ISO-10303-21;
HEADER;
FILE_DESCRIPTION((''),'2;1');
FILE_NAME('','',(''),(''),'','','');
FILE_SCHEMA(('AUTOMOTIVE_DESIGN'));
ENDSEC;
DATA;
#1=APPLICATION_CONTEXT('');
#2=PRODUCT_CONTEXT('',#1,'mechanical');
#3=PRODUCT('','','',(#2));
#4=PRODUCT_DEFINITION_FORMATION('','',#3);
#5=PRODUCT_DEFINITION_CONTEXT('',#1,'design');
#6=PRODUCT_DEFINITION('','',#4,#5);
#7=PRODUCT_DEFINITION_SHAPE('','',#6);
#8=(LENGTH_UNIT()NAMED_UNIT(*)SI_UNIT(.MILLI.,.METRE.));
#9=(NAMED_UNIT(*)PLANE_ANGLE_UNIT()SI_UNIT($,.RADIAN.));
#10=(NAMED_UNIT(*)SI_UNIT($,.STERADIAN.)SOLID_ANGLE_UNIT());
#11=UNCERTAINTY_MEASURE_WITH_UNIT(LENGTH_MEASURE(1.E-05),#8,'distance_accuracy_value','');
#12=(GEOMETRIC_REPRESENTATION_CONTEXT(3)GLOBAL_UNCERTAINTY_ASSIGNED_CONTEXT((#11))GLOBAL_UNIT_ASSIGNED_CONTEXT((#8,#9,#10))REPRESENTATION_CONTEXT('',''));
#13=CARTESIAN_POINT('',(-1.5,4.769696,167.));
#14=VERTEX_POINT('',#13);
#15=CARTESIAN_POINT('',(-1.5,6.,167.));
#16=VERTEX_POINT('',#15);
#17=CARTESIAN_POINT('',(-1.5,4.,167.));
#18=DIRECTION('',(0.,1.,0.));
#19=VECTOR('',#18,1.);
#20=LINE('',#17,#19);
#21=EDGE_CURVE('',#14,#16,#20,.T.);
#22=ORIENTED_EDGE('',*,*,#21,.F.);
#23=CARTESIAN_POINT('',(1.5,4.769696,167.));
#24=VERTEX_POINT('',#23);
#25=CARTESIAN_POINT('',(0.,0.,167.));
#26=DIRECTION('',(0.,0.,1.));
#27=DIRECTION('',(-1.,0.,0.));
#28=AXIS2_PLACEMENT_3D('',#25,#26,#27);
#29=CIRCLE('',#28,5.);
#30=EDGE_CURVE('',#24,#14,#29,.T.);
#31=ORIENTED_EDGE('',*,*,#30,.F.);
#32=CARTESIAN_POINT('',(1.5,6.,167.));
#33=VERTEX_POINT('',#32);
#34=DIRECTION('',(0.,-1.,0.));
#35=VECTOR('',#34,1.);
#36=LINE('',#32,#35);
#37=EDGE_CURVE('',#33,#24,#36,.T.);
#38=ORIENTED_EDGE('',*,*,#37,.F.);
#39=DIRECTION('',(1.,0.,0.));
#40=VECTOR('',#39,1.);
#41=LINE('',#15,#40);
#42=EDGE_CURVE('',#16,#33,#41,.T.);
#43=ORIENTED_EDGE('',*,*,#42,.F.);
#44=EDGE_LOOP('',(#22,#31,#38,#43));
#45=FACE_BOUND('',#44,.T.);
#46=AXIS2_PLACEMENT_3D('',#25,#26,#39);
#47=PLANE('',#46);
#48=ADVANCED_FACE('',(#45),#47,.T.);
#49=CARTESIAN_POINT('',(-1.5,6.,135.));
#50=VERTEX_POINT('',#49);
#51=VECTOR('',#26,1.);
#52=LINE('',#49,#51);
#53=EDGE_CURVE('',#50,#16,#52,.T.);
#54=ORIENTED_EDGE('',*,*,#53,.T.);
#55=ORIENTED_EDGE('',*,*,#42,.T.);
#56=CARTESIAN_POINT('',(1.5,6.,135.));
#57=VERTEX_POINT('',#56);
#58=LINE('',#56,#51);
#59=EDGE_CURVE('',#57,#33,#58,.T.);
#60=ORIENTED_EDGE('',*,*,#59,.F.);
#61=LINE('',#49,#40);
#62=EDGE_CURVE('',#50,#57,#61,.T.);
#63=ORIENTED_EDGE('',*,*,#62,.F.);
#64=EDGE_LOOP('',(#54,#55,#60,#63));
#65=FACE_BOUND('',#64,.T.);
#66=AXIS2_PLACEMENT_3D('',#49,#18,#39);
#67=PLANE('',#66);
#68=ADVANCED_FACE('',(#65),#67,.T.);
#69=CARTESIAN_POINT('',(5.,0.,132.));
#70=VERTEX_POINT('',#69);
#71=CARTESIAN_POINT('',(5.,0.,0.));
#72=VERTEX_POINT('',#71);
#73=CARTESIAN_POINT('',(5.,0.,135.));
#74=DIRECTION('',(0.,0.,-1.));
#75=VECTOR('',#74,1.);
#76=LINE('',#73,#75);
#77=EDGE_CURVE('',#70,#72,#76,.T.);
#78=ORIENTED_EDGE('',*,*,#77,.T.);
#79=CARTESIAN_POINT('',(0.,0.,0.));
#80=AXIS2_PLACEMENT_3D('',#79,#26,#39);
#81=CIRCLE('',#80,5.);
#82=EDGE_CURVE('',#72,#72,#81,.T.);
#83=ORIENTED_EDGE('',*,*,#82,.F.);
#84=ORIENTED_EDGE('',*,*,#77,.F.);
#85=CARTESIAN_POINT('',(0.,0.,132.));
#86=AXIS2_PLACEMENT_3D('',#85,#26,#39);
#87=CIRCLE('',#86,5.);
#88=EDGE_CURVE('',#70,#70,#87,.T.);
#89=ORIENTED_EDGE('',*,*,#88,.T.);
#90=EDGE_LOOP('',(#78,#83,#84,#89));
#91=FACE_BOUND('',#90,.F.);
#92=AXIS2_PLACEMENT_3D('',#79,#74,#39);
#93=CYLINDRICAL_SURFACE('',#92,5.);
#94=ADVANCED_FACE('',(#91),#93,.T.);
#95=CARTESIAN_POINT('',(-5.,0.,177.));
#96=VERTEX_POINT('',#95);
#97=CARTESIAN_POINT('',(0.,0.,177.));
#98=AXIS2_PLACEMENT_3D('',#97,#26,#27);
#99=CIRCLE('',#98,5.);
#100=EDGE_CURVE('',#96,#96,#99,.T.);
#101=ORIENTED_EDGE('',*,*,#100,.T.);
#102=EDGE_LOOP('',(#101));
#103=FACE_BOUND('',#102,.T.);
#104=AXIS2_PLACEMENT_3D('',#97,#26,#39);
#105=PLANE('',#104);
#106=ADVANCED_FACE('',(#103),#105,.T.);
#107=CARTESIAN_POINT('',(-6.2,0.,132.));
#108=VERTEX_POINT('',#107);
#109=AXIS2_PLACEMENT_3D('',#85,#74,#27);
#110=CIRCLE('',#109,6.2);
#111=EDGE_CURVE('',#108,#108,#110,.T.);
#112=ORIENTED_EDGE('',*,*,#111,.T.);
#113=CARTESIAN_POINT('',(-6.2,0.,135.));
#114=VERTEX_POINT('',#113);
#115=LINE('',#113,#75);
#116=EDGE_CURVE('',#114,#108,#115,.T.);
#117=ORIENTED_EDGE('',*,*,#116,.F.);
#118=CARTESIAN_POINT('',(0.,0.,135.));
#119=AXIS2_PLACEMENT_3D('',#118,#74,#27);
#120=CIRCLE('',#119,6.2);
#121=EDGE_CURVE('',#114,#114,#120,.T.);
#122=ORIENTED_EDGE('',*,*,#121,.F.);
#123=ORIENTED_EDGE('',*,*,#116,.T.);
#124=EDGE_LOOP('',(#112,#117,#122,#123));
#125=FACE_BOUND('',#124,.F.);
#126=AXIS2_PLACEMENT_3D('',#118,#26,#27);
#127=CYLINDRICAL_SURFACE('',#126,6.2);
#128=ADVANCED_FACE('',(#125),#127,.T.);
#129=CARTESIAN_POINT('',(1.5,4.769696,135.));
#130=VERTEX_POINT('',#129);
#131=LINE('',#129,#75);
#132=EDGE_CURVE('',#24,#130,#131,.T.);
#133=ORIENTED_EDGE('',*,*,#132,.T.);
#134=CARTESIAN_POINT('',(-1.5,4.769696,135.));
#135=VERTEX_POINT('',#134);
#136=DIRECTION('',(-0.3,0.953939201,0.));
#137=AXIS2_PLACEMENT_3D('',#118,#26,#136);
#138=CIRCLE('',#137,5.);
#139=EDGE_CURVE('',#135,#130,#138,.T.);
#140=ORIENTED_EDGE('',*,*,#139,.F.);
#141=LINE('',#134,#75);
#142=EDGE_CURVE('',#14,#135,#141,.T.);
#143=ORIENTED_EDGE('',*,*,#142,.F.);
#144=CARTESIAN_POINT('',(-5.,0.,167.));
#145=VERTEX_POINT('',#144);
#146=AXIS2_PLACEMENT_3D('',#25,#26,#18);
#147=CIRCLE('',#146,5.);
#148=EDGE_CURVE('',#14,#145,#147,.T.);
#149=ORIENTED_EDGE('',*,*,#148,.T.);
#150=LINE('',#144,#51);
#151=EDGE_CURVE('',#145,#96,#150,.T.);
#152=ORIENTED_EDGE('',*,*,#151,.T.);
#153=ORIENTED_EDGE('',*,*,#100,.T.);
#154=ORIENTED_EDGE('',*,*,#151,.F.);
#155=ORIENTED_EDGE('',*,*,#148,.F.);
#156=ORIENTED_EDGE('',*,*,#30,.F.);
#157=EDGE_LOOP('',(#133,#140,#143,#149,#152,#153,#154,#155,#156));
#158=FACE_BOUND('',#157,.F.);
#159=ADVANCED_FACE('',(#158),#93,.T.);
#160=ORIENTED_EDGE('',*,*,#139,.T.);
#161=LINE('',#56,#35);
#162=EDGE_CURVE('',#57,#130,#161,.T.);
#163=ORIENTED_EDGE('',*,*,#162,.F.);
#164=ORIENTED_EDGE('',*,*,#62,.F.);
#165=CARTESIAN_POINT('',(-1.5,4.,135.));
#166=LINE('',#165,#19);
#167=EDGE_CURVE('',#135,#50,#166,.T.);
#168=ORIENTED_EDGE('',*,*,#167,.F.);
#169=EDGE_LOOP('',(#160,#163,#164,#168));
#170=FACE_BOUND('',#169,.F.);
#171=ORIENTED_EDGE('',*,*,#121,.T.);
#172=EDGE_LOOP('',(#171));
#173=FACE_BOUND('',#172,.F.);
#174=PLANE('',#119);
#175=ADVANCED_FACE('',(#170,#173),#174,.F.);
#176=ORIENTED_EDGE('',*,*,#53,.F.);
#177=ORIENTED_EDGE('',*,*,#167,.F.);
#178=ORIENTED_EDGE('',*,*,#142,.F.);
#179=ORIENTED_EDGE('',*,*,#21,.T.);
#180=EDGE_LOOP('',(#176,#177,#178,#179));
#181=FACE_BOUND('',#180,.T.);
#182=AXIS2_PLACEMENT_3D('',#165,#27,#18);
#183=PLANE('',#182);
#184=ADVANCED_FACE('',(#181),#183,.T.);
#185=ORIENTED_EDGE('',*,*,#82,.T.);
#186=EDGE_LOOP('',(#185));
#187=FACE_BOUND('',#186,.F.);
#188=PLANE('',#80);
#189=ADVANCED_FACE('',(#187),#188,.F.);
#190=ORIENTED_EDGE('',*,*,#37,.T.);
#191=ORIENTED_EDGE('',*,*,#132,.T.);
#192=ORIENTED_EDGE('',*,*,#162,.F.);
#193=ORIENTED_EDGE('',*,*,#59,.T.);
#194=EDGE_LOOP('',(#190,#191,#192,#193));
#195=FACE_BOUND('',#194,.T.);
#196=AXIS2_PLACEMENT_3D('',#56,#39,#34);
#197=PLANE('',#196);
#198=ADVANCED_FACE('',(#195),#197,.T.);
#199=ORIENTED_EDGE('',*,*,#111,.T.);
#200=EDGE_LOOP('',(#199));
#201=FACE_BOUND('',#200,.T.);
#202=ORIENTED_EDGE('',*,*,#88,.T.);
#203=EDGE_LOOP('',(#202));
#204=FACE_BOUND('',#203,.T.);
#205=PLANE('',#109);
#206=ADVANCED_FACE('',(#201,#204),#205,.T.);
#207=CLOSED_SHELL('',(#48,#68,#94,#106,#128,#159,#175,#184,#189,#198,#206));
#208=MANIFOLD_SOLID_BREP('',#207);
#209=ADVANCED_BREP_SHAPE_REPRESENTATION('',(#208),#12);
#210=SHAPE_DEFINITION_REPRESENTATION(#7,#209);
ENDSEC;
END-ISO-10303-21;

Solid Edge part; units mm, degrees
sketch "Sketch1" plane through (0, 0, 0) normal (0, 0, 1) x (1, 0, 0)
  circle A0 centre (0, 0) radius 5
extrude "Protrusion1" add sketch "Sketch1" along normal blind 25
sketch "Sketch2" plane through (0, 0.5, 25) normal (0, 0, 1) x (1, 0, 0)
  circle A0 centre (0, -0.5) radius 5
  dimension "D1" = 10
extrude "ExtrudedProtrusion_2" add sketch "Sketch2" along normal blind 110
sketch "Sketch3" plane through (0, 0, 135) normal (0, 0, 1) x (0, 1, 0)
  line L0 (4, 1.5) -> (6, 1.5)
  line L1 (6, 1.5) -> (6, -1.5)
  line L2 (6, -1.5) -> (4, -1.5)
  line L3 (4, -1.5) -> (4, 1.5)
  circle A0 centre (0, 0) radius 5
extrude "ExtrudedProtrusion_4" add sketch "Sketch3" along normal blind 32
sketch "Sketch4" plane through (0, 0.5, 167) normal (0, 0, 1) x (-1, 0, 0)
  circle A0 centre (0, 0.5) radius 5
  dimension "D1" = 10
extrude "ExtrudedProtrusion_5" add sketch "Sketch4" along normal blind 10
sketch "Sketch5" plane through (0, 5.3848, 135) normal (0, 0, -1) x (-1, 0, 0)
  circle A0 centre (0, -5.3848) radius 6.2
  dimension "D1" = 12.4
extrude "ExtrudedProtrusion_6" add sketch "Sketch5" along normal blind 3
properties material "Aluminum, 1060"
